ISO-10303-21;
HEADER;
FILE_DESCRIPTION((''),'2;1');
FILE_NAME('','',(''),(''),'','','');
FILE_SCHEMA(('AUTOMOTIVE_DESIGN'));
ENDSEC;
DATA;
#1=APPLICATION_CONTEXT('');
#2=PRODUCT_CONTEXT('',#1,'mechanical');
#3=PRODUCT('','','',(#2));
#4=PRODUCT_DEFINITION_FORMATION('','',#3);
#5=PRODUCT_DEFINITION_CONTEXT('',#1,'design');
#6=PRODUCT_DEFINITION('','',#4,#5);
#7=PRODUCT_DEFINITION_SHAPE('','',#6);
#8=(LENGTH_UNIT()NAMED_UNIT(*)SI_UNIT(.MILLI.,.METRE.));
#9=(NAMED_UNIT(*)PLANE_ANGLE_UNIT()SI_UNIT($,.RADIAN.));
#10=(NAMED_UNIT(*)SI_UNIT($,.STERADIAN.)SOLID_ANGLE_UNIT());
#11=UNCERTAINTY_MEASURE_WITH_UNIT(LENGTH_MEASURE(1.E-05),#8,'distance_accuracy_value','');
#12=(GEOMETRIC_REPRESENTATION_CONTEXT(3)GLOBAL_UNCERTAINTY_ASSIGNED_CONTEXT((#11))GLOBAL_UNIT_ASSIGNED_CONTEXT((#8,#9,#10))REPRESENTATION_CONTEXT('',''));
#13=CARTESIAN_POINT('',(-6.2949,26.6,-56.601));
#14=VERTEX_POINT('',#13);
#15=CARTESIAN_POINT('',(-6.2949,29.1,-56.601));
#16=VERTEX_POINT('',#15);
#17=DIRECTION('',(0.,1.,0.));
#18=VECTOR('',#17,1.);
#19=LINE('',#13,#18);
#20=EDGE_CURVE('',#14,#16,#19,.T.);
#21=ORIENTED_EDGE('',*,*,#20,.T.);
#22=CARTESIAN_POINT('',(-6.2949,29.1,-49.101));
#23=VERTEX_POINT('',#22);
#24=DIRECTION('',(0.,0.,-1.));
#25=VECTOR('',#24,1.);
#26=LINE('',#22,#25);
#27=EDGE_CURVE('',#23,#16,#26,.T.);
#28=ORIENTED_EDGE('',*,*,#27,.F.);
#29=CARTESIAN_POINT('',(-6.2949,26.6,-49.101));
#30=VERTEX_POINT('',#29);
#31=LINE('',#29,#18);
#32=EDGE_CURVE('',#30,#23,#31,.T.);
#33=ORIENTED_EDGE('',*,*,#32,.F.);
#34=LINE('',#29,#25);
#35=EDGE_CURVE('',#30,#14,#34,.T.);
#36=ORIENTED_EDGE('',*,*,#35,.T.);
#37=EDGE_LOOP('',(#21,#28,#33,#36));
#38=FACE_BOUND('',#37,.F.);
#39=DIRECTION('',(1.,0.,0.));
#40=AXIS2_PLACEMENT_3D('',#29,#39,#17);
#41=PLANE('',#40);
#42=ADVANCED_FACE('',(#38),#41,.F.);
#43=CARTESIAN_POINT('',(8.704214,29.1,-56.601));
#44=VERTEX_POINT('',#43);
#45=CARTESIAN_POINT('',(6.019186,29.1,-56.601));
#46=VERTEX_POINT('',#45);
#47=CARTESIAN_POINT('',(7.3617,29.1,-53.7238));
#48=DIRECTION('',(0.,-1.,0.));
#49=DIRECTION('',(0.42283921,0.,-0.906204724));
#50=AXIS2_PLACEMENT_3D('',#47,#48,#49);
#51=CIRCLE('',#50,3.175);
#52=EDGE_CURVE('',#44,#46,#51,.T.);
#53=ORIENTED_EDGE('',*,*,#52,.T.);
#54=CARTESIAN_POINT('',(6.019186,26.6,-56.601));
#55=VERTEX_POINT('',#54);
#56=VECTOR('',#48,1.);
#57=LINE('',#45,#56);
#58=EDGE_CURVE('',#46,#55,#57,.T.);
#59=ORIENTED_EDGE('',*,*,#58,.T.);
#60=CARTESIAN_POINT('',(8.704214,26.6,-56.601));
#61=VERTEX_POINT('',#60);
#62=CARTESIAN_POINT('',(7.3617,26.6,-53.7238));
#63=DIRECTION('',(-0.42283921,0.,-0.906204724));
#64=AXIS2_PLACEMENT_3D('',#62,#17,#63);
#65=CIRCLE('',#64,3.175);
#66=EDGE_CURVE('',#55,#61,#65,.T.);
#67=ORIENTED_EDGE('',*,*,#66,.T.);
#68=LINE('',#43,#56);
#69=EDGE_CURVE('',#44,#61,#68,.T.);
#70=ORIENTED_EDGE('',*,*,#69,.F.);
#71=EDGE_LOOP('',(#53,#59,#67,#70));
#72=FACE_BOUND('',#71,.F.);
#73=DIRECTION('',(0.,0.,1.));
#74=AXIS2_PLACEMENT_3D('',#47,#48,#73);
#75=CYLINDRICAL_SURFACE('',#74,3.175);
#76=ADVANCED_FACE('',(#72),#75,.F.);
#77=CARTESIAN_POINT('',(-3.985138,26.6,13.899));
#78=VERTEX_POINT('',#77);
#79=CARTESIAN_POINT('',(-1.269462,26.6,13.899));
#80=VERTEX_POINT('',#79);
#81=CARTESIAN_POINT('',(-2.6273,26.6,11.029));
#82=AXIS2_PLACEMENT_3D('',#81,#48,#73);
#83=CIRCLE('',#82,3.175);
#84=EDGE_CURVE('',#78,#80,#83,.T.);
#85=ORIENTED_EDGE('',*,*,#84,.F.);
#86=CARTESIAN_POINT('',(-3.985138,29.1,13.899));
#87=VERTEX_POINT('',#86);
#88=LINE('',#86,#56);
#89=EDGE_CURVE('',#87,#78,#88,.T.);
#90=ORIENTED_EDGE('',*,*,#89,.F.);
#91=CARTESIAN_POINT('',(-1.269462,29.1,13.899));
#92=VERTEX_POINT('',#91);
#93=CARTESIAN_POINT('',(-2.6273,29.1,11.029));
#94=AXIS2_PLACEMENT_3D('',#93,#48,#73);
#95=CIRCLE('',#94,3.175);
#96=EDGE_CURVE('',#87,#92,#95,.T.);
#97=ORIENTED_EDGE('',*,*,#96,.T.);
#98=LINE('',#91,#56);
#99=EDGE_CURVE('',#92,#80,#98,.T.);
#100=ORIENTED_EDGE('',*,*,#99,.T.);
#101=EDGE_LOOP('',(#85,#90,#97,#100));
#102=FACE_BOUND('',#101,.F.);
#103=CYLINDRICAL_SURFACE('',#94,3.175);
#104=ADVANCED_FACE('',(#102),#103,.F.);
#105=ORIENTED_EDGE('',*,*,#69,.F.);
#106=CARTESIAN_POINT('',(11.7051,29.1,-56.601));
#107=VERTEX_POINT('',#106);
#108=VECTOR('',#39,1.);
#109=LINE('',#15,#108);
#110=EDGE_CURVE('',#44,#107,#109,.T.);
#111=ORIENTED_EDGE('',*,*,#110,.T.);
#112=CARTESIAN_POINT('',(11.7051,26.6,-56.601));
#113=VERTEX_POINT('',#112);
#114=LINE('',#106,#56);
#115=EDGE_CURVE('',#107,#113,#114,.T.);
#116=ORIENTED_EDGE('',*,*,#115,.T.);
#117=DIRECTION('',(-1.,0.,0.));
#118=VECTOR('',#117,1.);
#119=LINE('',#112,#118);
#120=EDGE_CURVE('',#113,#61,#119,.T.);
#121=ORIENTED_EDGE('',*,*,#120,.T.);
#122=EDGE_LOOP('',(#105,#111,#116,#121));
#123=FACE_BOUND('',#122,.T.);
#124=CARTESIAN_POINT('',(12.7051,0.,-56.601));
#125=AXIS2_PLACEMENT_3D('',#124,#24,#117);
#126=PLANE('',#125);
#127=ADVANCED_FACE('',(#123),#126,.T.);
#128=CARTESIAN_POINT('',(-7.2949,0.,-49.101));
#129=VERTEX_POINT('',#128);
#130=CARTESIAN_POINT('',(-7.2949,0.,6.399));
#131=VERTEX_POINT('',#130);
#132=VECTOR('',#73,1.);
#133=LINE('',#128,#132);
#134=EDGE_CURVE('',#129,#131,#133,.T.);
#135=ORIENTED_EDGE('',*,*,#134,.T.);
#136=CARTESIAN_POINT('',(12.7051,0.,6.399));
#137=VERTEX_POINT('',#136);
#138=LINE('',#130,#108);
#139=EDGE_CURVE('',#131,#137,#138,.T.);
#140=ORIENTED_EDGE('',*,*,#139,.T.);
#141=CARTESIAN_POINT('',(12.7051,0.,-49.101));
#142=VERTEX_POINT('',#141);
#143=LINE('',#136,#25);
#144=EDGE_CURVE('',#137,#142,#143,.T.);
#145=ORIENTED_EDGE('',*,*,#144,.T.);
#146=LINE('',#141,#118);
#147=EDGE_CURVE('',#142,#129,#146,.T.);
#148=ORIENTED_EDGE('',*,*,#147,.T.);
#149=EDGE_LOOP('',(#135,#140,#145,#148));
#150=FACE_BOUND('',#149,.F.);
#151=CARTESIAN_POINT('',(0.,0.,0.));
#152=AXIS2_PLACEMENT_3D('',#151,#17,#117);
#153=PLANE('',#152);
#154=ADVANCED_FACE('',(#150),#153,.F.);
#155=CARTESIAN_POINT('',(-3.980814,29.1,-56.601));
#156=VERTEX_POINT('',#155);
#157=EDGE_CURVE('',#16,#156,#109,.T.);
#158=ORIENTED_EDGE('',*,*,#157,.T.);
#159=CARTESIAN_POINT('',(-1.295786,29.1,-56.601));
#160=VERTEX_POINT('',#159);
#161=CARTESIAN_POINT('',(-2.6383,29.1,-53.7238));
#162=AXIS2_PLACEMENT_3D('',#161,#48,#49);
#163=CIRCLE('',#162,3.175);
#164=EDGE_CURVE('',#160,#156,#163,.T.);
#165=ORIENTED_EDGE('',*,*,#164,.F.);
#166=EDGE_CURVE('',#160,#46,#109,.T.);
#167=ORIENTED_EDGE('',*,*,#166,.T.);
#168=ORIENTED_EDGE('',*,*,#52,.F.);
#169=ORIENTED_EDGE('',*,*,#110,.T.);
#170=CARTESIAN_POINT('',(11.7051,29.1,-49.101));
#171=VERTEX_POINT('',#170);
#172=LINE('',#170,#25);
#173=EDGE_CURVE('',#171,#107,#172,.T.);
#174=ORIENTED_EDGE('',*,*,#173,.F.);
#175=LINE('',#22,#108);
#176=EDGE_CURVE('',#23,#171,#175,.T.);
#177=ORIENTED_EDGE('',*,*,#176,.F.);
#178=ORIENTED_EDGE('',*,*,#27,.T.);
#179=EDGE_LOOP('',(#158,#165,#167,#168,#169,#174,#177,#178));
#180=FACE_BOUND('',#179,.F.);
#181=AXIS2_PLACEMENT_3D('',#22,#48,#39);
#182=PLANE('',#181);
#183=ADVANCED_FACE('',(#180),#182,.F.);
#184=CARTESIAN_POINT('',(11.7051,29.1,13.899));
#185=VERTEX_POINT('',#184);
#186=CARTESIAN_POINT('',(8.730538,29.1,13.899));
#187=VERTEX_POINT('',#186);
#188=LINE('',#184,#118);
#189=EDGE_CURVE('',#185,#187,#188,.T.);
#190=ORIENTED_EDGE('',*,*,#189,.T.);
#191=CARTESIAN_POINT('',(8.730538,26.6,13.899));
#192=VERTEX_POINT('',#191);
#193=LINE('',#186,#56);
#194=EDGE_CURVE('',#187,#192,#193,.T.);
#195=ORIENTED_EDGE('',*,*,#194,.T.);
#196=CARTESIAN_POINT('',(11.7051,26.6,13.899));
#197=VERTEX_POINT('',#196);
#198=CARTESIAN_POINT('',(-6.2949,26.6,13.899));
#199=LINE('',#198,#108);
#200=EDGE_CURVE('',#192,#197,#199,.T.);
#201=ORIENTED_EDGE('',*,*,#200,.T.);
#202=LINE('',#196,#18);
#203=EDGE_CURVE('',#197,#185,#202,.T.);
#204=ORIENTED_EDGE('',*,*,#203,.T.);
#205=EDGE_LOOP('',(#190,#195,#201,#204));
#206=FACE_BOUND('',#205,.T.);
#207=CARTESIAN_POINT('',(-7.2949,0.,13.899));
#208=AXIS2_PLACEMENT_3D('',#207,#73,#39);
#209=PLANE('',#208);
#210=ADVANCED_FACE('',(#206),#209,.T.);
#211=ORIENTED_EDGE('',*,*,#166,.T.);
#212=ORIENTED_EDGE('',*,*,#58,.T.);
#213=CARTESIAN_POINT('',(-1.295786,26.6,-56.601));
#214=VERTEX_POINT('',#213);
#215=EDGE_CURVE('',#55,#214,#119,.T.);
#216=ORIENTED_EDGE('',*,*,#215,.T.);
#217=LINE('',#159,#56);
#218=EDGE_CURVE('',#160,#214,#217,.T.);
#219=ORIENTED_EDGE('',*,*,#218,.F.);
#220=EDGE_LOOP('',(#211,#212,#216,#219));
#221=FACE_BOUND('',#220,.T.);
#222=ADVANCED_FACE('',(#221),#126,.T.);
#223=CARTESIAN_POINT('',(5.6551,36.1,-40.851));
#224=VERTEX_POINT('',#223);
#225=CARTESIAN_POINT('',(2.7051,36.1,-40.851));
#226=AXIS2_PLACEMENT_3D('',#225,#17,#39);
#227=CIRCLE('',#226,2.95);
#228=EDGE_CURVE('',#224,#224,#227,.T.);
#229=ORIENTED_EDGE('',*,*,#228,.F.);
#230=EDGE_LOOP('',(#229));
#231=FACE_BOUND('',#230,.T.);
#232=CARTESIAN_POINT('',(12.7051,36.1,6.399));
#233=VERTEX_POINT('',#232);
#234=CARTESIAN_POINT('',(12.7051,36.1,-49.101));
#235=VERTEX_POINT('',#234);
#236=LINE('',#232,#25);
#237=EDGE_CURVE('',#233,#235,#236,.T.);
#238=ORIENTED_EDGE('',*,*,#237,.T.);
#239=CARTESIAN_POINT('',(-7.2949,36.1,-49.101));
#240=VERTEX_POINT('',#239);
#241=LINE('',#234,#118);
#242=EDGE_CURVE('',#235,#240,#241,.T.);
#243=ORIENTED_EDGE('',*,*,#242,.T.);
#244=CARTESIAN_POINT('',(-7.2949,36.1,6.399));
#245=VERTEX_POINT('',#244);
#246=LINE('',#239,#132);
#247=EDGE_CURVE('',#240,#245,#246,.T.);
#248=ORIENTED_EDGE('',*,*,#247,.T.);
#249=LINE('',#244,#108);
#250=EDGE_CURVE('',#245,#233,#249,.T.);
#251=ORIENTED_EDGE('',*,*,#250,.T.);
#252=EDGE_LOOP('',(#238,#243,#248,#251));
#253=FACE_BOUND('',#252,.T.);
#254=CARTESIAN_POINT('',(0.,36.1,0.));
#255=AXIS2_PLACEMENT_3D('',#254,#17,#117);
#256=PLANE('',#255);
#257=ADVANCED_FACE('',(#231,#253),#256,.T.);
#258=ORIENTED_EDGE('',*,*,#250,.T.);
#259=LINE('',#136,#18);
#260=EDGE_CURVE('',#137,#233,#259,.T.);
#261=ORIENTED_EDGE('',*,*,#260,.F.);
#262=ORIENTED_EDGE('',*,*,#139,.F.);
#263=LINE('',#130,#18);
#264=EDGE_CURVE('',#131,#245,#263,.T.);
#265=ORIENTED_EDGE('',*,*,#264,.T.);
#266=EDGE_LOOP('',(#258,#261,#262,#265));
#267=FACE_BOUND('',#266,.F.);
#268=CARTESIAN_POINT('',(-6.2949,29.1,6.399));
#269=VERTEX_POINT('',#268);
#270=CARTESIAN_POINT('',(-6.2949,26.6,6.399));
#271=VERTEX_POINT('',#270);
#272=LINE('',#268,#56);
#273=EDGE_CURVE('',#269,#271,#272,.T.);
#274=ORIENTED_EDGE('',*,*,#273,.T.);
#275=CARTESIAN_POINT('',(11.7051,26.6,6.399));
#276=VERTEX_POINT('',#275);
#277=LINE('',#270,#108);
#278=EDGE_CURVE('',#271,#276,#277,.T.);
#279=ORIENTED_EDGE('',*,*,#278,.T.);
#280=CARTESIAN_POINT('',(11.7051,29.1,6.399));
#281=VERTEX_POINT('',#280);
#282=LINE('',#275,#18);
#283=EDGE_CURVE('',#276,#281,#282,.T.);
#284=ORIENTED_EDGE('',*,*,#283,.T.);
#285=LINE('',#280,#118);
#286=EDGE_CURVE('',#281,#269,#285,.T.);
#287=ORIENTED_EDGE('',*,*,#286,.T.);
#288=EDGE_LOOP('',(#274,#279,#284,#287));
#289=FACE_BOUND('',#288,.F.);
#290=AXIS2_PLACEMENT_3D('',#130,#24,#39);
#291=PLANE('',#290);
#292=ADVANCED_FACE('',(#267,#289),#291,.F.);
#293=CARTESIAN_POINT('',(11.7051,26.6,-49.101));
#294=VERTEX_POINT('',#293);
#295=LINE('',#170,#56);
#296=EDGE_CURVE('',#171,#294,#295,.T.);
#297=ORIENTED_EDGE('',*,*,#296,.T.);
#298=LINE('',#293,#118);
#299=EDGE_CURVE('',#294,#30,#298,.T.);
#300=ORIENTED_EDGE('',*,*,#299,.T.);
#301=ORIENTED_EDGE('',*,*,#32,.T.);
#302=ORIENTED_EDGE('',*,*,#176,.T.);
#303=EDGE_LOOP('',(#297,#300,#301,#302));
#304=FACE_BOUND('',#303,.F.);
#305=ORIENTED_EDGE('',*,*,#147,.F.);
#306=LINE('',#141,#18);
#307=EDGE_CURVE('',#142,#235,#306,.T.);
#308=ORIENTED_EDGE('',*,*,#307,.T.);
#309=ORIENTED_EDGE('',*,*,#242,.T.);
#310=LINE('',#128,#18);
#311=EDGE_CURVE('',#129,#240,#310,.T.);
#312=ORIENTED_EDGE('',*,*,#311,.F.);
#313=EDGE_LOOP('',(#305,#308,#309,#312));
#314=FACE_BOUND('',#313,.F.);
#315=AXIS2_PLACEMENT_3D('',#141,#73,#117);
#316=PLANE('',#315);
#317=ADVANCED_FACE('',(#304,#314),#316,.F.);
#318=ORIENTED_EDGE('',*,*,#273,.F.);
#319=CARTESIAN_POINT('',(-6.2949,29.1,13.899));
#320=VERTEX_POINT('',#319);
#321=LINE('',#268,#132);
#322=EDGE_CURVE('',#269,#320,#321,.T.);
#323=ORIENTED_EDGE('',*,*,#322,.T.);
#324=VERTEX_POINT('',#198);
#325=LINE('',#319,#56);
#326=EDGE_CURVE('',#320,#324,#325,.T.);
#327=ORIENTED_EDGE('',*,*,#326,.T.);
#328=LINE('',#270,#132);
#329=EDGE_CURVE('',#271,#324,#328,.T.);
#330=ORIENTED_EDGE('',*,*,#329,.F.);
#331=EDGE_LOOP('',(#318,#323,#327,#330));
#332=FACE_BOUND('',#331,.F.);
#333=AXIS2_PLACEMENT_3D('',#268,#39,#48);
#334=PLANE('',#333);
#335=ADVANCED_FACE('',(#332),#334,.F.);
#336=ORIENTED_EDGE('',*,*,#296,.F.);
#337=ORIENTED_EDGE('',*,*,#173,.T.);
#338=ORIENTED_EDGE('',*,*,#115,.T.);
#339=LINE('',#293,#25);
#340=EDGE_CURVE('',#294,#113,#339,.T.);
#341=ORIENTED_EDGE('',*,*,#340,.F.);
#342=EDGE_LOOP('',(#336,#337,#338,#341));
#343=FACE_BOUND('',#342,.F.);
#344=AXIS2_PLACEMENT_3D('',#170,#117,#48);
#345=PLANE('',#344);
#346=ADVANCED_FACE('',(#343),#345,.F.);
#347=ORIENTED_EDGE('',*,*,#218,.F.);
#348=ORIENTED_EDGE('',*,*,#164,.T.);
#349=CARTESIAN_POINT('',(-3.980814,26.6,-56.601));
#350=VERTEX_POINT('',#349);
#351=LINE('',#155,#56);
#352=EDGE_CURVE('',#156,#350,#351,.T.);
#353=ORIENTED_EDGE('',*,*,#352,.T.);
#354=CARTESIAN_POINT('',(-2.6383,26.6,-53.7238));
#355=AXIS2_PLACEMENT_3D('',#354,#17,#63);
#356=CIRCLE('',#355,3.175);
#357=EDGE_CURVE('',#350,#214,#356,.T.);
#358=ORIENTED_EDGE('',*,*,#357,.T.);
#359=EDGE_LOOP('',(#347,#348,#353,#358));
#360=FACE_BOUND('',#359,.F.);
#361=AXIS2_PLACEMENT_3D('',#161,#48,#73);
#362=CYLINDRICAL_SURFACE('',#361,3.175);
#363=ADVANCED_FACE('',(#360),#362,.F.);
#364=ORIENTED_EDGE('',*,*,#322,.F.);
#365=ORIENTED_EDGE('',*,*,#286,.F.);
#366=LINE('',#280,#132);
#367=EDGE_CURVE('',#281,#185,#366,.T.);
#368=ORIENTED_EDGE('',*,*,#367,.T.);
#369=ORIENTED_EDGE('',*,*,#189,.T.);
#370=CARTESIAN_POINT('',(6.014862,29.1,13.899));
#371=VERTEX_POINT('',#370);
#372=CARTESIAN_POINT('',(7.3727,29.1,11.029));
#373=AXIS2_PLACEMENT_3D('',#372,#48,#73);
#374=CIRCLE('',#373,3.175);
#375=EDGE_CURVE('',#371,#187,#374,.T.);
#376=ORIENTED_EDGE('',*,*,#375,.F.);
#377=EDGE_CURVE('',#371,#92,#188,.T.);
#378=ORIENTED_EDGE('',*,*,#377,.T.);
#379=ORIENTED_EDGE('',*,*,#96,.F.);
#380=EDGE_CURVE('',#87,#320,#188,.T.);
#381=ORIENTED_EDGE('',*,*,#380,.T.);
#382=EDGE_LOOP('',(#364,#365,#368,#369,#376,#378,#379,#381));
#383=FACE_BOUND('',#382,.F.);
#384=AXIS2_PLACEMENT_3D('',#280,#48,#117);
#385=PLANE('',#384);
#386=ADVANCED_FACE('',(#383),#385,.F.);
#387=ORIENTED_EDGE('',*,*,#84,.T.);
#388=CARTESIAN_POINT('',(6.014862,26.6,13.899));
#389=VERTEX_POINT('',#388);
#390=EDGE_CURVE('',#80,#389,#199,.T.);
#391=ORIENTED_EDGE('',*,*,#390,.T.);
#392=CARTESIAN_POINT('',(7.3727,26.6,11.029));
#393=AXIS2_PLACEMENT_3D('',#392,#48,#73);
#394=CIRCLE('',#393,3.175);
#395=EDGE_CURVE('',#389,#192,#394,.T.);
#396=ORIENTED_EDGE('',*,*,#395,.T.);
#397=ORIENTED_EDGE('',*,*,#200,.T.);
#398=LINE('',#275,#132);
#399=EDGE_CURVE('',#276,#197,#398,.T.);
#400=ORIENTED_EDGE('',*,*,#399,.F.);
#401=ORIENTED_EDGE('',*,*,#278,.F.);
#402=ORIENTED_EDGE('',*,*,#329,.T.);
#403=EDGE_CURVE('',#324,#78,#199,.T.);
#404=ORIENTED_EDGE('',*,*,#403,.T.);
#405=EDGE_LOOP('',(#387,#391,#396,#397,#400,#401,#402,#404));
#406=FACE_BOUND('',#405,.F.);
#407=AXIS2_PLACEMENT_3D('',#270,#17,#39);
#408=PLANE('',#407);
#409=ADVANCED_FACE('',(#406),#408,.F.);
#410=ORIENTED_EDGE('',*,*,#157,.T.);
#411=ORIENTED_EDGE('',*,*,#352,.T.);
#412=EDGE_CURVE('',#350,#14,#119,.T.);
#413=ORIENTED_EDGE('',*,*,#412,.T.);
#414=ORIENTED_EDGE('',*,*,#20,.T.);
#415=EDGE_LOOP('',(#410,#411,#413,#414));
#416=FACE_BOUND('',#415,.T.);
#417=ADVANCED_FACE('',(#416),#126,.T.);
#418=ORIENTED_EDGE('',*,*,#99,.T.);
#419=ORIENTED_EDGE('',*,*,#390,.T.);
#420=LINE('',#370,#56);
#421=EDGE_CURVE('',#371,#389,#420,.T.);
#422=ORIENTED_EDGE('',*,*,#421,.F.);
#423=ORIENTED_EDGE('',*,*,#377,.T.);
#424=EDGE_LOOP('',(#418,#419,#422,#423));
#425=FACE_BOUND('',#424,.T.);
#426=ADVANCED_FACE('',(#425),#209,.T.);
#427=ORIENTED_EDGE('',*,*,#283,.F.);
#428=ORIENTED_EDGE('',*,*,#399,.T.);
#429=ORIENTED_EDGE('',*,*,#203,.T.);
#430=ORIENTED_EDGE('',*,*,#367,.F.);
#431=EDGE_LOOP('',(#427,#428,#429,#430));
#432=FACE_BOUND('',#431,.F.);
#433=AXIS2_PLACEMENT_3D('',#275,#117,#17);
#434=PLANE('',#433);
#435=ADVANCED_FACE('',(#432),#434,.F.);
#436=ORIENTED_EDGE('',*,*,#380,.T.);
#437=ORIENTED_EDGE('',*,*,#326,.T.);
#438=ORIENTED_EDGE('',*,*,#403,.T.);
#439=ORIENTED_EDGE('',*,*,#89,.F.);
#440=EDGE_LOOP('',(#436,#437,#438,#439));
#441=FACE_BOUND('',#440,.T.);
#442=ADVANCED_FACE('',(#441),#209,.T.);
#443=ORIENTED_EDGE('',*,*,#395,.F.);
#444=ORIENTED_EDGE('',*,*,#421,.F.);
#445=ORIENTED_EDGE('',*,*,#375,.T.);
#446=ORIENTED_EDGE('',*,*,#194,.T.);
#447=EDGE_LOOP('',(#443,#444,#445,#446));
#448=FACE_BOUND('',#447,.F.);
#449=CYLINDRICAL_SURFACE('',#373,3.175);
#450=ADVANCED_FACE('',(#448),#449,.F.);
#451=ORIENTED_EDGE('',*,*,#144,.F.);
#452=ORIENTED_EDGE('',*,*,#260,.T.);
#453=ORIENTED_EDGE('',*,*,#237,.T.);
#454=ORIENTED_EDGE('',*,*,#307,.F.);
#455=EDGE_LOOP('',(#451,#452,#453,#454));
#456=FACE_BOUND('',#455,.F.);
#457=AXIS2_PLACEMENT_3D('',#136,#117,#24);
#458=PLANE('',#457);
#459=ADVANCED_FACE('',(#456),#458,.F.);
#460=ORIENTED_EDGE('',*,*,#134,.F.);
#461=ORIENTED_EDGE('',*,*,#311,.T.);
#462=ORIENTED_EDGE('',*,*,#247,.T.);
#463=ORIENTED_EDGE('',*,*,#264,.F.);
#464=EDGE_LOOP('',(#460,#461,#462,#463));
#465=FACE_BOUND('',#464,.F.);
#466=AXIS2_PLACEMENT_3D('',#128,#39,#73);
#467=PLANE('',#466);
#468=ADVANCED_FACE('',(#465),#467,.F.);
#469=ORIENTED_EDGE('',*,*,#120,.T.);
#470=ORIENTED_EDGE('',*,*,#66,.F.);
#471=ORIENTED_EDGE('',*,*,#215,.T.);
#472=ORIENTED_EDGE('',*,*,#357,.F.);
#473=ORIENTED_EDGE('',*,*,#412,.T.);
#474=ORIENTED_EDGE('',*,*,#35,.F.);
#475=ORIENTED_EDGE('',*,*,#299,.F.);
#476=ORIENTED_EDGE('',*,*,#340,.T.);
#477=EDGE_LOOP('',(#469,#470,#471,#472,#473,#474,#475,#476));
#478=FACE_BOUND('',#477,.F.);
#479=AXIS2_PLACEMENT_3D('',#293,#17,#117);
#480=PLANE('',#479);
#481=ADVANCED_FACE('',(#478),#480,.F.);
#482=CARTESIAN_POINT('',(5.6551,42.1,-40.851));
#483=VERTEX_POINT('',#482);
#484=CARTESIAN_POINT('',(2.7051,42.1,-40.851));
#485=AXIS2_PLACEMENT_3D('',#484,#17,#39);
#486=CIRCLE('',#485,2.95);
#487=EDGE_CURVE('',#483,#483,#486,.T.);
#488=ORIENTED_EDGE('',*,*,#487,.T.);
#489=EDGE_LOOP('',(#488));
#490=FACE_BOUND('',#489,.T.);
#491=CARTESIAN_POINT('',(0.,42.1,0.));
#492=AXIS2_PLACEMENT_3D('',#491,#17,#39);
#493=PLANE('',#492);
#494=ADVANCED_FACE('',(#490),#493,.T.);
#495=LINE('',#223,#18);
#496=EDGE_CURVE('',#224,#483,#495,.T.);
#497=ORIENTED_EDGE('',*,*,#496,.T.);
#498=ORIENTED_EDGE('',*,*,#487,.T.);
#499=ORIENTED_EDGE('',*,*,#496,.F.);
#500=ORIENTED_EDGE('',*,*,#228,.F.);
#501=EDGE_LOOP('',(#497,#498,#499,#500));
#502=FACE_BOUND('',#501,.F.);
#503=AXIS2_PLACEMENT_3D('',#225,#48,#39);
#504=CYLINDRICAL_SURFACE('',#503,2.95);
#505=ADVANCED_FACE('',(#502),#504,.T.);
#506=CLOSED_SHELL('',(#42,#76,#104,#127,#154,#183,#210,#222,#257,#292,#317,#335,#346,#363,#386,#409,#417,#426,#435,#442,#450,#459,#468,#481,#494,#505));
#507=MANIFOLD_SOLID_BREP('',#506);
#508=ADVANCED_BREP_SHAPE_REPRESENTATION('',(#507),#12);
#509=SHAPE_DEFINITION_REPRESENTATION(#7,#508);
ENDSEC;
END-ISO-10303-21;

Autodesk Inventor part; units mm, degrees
ref_plane "YZ Plane" through (0, 0, 0) normal (1, 0, 0) x (0, 1, 0)
ref_plane "XZ Plane" through (0, 0, 0) normal (0, 1, 0) x (-1, 0, 0)
ref_plane "XY Plane" through (0, 0, 0) normal (0, 0, 1) x (1, 0, 0)
sketch "Sketch5" plane through (0, 0, 0) normal (1, 0, 0) x (0, 1, 0)
  point P0 (0, 0)
sketch "Sketch6" plane through (0, 0, 0) normal (0, 1, 0) x (-1, 0, 0)
  line L0 (7.2949, 6.399) -> (-12.7051, 6.399)
  line L1 (-12.7051, 6.399) -> (-12.7051, -49.101)
  line L2 (-12.7051, -49.101) -> (7.2949, -49.101)
  line L3 (7.2949, -49.101) -> (7.2949, 6.399)
  point P0 (0, 0)
  dimension "d18" = 20
  dimension "d19" = 55.5
extrude "Extrusion4" add sketch "Sketch6" along normal blind 36.1
sketch "Sketch7" plane through (-7.2949, 0, 6.399) normal (0, 0, 1) x (1, 0, 0)
  line L0 (0, 0) -> (0, 36.1) projected
  line L1 (20, 0) -> (20, 36.1) projected
  line L2 (1, 26.6) -> (19, 26.6)
  line L3 (19, 26.6) -> (19, 29.1)
  line L4 (19, 29.1) -> (1, 29.1)
  line L5 (1, 29.1) -> (1, 26.6)
  point P0 (7.2949, 0)
  dimension "d25" = 2.5
extrude "Extrusion5" add sketch "Sketch7" along normal blind 7.5
sketch "Sketch8" plane through (12.7051, 0, -49.101) normal (0, 0, -1) x (-1, 0, 0)
  line L0 (0, 0) -> (0, 36.1) projected
  line L1 (1, 26.6) -> (19, 26.6) projected
  line L2 (1, 26.6) -> (19, 26.6)
  line L3 (19, 26.6) -> (19, 29.1) projected
  line L4 (19, 26.6) -> (19, 29.1)
  line L5 (19, 29.1) -> (1, 29.1) projected
  line L6 (19, 29.1) -> (1, 29.1)
  line L7 (1, 29.1) -> (1, 26.6) projected
  line L8 (1, 29.1) -> (1, 26.6)
  point P0 (12.7051, 0)
extrude "Extrusion6" add sketch "Sketch8" along normal blind 7.5
sketch "Sketch9" plane through (0, 36.1, 0) normal (0, 1, 0) x (1, 0, 0)
  line L0 (12.7051, -6.399) -> (12.7051, 49.101) projected
  line L1 (-7.2949, 49.101) -> (-7.2949, -6.399) projected
  circle A0 centre (2.7051, 40.851) radius 2.95
  line L2 (12.7051, 49.101) -> (-7.2949, 49.101) projected
  point P0 (0, 0)
  dimension "d35" = 5.9
  dimension "d39" = 10
  dimension "d40" = 8.25
extrude "Extrusion7" add sketch "Sketch9" along normal blind 6
sketch "Sketch11" plane through (-6.2949, 29.1, 6.399) normal (0, 1, 0) x (1, 0, 0)
  line L0 (-1, 0) -> (19, 0) projected
  line L1 (10, -4) -> (10, 0)
  line L2 (8, -4) -> (8, 0)
  line L3 (10, -4) -> (8, -4)
  line L4 (18, 0) -> (18, -7.5) projected
  circle A0 centre (13.6676, -4.63) radius 2.25
  circle A1 centre (3.6676, -4.63) radius 2.25
  point P0 (6.2949, 6.399)
  point P1 (0, -7.5)
  dimension "d48" = 4.5
  dimension "d50" = 4.5
hole "Hole1" at (-2.6273, 29.1, 11.029) at (7.3727, 29.1, 11.029) direction (0, -1, 0) diameter 6.35 end through all
sketch "Sketch15" plane through (-6.2949, 29.1, -49.101) normal (0, 1, 0) x (1, 0, 0)
  circle A0 centre (13.6566, 4.6228) radius 2.25
  circle A1 centre (3.6566, 4.6228) radius 2.25
  point P0 (6.2949, -49.101)
  point P1 (18, 0)
  dimension "d64" = 4.5
  dimension "d66" = 4.5
hole "Hole2" at (-2.6383, 29.1, -53.7238) at (7.3617, 29.1, -53.7238) direction (0, -1, 0) diameter 6.35 end through all
properties part number "Serial Motor"
